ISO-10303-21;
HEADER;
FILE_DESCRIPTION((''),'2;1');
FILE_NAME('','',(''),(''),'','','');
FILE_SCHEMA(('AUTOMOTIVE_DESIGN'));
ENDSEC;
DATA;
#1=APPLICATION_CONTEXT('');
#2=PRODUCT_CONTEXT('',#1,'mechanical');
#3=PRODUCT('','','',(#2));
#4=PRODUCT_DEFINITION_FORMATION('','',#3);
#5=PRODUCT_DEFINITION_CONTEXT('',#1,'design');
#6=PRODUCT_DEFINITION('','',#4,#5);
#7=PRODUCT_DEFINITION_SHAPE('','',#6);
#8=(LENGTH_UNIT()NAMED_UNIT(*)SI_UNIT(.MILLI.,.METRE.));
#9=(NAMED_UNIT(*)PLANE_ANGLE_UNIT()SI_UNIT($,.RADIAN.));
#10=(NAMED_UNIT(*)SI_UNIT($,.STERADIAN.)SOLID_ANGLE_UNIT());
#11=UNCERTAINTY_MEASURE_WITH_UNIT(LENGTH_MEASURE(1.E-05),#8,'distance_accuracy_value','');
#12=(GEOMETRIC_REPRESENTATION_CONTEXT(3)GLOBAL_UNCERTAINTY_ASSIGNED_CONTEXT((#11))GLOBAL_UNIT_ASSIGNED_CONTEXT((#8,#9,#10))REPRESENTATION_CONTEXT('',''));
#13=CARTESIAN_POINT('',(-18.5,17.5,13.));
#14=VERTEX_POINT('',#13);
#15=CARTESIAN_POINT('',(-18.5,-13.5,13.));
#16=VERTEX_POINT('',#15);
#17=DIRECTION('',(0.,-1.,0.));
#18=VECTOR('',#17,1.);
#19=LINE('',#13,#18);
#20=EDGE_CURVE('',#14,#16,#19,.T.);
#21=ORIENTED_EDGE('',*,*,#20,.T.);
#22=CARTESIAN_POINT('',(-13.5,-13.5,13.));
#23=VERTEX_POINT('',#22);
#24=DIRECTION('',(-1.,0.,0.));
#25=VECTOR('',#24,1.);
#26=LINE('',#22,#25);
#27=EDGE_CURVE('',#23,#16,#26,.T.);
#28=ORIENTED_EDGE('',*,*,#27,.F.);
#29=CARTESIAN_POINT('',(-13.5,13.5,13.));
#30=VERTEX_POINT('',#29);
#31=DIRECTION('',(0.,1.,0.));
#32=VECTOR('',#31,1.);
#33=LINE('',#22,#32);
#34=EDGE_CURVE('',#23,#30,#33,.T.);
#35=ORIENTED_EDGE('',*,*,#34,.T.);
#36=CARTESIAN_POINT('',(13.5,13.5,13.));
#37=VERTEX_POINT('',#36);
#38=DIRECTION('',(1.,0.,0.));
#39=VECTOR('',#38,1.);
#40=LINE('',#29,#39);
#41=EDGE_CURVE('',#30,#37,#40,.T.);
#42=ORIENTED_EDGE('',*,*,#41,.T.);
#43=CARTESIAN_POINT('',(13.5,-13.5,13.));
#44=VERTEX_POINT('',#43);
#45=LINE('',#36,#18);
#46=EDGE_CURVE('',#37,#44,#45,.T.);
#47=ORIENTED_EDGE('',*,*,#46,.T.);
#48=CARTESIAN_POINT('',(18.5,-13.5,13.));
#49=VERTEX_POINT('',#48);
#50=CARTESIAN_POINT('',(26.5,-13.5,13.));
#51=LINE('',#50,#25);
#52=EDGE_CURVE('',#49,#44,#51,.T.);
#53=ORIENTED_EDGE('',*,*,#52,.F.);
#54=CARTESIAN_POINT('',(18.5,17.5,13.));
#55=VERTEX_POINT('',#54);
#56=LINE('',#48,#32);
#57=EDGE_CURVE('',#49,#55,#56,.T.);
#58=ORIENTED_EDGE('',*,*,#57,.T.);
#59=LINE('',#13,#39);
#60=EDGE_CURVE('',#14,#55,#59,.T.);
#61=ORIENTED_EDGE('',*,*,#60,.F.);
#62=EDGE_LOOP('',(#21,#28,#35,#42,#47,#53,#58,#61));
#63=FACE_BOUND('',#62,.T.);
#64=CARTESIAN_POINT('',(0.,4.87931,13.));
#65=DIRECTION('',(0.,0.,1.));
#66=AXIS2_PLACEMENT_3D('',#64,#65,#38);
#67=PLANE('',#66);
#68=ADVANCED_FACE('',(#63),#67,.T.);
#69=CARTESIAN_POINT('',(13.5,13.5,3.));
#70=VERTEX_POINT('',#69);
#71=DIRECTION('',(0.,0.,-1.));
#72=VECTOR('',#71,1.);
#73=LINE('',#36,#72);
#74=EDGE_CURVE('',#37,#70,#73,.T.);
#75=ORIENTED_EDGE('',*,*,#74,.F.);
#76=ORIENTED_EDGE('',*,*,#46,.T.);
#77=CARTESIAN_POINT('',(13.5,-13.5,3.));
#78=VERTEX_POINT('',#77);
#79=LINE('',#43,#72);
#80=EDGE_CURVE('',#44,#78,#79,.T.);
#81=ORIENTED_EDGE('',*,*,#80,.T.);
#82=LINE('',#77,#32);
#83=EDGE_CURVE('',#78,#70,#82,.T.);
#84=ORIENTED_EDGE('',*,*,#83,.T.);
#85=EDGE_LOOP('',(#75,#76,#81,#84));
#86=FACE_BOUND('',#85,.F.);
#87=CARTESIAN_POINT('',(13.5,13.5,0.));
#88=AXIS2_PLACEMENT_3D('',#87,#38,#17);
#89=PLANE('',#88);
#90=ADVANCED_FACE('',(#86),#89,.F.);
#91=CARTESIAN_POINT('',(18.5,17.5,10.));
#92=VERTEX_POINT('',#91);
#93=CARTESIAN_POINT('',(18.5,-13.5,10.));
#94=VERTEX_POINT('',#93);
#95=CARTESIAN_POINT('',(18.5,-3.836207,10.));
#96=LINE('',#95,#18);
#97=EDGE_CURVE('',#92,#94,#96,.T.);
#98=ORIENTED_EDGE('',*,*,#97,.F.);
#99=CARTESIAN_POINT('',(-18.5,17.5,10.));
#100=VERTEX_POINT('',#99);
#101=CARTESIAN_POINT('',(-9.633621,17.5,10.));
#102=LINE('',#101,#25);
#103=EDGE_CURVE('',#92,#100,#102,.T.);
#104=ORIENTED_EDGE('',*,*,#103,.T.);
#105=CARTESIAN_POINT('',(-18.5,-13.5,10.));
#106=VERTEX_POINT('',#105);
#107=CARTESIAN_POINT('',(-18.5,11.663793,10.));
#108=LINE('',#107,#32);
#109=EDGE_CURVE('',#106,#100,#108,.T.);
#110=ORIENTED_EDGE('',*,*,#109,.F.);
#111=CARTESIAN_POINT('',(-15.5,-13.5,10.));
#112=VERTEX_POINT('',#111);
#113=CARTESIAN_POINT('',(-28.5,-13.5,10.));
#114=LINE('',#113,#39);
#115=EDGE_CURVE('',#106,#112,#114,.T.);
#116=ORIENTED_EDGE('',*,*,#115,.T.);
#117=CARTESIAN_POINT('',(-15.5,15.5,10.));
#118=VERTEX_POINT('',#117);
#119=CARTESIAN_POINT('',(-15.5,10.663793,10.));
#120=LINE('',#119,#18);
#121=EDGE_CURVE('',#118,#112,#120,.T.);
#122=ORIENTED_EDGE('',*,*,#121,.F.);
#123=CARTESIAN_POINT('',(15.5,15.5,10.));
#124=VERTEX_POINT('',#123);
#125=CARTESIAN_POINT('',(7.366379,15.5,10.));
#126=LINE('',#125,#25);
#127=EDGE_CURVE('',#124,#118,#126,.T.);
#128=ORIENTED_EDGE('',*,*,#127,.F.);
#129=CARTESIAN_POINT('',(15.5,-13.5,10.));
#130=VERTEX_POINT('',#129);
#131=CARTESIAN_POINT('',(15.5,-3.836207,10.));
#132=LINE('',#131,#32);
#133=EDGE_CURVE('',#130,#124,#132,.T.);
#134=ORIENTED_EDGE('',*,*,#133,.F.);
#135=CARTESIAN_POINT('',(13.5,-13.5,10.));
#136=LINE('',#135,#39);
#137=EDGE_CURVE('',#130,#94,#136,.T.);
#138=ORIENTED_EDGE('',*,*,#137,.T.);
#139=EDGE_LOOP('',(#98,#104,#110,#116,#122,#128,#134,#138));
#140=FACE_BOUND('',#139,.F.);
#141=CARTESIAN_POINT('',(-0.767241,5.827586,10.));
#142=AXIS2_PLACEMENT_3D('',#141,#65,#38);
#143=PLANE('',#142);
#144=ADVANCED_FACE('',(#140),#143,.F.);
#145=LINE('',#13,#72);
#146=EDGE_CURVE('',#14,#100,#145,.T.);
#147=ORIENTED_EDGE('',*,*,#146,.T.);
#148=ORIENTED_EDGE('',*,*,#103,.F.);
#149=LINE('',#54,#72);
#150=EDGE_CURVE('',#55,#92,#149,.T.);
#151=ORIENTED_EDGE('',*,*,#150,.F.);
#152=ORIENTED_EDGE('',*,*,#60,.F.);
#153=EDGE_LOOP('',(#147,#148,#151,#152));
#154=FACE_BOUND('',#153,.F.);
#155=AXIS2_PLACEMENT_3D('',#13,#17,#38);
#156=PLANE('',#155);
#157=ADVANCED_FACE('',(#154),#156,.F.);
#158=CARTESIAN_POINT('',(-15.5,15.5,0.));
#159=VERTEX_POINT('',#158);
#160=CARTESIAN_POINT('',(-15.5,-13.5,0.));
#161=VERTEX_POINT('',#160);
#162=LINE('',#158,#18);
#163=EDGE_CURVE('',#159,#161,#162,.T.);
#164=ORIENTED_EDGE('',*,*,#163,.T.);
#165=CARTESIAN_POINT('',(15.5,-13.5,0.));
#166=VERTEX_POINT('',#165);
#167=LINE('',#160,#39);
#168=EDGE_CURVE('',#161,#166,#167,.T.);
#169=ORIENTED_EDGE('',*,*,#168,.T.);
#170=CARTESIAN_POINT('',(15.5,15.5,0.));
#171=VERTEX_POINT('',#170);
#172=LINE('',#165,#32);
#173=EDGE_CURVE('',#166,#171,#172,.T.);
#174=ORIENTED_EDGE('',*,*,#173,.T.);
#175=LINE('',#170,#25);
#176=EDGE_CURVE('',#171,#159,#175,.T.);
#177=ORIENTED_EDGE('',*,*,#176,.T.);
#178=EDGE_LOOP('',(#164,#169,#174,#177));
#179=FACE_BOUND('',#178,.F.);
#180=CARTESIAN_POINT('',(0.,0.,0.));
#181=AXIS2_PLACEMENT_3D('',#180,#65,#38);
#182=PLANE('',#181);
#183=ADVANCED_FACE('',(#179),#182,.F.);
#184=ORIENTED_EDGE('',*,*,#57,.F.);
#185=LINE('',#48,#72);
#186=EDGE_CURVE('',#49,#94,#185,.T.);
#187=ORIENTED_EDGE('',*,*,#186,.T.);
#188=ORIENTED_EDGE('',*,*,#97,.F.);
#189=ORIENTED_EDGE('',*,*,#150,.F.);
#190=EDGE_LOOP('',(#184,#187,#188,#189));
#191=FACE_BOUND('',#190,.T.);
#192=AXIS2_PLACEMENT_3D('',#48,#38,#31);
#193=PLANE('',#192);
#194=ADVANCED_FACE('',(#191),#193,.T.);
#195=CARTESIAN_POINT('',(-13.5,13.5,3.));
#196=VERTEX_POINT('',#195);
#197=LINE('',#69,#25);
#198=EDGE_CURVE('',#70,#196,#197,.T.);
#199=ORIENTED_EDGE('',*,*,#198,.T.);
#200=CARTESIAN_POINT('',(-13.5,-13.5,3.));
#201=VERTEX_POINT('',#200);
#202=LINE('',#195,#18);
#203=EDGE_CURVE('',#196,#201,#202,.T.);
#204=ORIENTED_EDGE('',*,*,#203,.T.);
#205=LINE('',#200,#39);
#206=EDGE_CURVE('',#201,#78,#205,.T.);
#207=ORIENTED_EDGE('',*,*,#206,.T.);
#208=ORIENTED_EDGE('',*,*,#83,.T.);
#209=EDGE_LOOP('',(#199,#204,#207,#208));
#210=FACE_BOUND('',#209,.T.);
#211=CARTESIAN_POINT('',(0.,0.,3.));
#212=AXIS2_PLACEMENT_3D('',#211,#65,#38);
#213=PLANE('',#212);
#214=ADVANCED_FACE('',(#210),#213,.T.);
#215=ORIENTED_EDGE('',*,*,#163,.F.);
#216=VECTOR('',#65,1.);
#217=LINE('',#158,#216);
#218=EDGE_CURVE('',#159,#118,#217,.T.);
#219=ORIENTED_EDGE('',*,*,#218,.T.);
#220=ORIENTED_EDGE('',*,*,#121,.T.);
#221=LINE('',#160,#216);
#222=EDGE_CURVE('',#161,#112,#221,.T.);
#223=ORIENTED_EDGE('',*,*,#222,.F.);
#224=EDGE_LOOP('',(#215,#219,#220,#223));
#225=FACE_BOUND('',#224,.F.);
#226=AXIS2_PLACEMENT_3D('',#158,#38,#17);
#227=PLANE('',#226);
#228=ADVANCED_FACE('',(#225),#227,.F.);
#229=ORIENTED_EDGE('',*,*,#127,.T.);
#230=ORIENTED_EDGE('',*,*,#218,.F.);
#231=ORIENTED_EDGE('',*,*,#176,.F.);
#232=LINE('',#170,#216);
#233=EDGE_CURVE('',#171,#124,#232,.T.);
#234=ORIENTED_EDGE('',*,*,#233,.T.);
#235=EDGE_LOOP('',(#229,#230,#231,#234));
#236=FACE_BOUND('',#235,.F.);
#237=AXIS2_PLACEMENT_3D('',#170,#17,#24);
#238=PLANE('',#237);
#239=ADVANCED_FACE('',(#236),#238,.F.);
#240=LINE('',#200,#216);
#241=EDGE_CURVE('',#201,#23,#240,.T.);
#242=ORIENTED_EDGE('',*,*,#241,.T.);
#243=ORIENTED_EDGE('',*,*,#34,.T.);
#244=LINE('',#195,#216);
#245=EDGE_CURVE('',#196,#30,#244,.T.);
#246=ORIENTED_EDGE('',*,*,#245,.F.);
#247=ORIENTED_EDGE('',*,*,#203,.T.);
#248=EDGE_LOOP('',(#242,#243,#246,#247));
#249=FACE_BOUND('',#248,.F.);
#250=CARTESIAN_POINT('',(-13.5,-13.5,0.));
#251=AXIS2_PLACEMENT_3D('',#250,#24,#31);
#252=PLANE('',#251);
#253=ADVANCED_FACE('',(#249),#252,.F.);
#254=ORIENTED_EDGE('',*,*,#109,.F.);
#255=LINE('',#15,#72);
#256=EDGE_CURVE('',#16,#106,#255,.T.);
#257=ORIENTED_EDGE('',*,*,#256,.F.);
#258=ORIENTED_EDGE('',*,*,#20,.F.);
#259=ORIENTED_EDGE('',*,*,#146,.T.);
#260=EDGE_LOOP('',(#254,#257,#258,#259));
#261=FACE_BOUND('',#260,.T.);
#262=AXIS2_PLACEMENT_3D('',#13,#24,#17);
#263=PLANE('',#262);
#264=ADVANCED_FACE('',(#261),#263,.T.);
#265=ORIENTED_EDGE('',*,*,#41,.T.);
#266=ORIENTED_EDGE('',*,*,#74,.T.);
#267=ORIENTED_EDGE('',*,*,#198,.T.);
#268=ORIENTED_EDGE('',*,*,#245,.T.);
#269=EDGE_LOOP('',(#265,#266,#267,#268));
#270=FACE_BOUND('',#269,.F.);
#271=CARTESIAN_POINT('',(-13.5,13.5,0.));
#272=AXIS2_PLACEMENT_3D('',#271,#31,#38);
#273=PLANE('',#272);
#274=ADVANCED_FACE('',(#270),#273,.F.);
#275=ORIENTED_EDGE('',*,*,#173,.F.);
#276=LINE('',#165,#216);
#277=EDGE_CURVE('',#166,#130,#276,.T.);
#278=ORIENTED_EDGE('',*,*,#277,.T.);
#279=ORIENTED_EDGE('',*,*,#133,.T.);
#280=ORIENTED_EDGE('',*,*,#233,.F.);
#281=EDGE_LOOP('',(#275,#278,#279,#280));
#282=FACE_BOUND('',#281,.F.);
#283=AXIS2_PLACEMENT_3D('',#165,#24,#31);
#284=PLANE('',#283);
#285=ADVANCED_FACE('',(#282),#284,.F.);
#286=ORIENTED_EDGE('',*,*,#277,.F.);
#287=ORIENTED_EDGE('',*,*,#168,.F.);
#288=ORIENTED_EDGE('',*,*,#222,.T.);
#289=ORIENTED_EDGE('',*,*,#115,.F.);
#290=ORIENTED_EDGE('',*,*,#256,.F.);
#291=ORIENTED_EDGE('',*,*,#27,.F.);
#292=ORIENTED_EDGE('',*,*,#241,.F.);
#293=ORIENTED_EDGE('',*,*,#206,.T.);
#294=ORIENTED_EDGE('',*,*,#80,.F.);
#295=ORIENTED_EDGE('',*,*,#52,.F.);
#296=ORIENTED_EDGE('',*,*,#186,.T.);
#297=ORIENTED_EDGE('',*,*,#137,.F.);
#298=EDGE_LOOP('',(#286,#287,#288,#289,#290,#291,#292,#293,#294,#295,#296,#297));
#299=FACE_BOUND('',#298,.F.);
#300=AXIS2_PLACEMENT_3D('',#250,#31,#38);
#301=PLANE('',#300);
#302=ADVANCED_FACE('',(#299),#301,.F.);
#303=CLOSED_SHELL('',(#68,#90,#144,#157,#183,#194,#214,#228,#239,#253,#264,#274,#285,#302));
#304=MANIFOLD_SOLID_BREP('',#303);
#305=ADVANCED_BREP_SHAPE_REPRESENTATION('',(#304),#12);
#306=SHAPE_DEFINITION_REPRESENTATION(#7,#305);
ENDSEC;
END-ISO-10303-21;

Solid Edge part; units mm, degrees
sketch "Sketch1" plane through (0, 0, 0) normal (0, 0, 1) x (1, 0, 0)
  line L0 (-13.5, -13.5) -> (13.5, -13.5)
  line L1 (13.5, -13.5) -> (13.5, 13.5)
  line L2 (13.5, 13.5) -> (-13.5, 13.5)
  line L3 (-13.5, 13.5) -> (-13.5, -13.5)
extrude "Protrusion1" add sketch "Sketch1" along normal blind 3
sketch "Sketch2" plane through (0, 0, 0) normal (0, 0, -1) x (1, 0, 0)
  line L0 (15.5, 13.5) -> (15.5, -15.5)
  line L1 (15.5, -15.5) -> (-15.5, -15.5)
  line L2 (-15.5, -15.5) -> (-15.5, 13.5)
  line L3 (-15.5, 13.5) -> (-13.5, 13.5)
  line L4 (-13.5, 13.5) -> (-13.5, -13.5)
  line L5 (-13.5, -13.5) -> (13.5, -13.5)
  line L6 (13.5, -13.5) -> (13.5, 13.5)
  line L7 (13.5, 13.5) -> (15.5, 13.5)
extrude "ExtrudedProtrusion_3" add sketch "Sketch2" against normal blind 13
sketch "Sketch3" plane through (0, 1, 13) normal (0, 0, 1) x (1, 0, 0)
  line L0 (13.5, -14.5) -> (26.5, -14.5)
  line L1 (26.5, -14.5) -> (26.5, 19.5)
  line L2 (26.5, 19.5) -> (-28.5, 19.5)
  line L3 (-28.5, 19.5) -> (-28.5, -14.5)
  line L4 (-28.5, -14.5) -> (-13.5, -14.5)
  line L5 (-13.5, -14.5) -> (-13.5, 12.5)
  line L6 (-13.5, 12.5) -> (13.5, 12.5)
  line L7 (13.5, 12.5) -> (13.5, -14.5)
extrude "ExtrudedProtrusion_4" add sketch "Sketch3" against normal blind 3
sketch "Sketch4" plane through (-1, 3.5, 13) normal (0, 0, 1) x (1, 0, 0)
  line L0 (-27.5, -17) -> (-27.5, 17)
  line L1 (-17.5, -17) -> (-27.5, -17)
  line L2 (-17.5, 14) -> (-17.5, -17)
  line L3 (-17.5, 14) -> (19.5, 14)
  line L4 (19.5, -17) -> (19.5, 14)
  line L5 (27.5, -17) -> (19.5, -17)
  line L6 (27.5, 17) -> (27.5, -17)
extrude "Cutout1" cut sketch "Sketch4" against normal up to next material side at (-28.45, 3.5, 13)
